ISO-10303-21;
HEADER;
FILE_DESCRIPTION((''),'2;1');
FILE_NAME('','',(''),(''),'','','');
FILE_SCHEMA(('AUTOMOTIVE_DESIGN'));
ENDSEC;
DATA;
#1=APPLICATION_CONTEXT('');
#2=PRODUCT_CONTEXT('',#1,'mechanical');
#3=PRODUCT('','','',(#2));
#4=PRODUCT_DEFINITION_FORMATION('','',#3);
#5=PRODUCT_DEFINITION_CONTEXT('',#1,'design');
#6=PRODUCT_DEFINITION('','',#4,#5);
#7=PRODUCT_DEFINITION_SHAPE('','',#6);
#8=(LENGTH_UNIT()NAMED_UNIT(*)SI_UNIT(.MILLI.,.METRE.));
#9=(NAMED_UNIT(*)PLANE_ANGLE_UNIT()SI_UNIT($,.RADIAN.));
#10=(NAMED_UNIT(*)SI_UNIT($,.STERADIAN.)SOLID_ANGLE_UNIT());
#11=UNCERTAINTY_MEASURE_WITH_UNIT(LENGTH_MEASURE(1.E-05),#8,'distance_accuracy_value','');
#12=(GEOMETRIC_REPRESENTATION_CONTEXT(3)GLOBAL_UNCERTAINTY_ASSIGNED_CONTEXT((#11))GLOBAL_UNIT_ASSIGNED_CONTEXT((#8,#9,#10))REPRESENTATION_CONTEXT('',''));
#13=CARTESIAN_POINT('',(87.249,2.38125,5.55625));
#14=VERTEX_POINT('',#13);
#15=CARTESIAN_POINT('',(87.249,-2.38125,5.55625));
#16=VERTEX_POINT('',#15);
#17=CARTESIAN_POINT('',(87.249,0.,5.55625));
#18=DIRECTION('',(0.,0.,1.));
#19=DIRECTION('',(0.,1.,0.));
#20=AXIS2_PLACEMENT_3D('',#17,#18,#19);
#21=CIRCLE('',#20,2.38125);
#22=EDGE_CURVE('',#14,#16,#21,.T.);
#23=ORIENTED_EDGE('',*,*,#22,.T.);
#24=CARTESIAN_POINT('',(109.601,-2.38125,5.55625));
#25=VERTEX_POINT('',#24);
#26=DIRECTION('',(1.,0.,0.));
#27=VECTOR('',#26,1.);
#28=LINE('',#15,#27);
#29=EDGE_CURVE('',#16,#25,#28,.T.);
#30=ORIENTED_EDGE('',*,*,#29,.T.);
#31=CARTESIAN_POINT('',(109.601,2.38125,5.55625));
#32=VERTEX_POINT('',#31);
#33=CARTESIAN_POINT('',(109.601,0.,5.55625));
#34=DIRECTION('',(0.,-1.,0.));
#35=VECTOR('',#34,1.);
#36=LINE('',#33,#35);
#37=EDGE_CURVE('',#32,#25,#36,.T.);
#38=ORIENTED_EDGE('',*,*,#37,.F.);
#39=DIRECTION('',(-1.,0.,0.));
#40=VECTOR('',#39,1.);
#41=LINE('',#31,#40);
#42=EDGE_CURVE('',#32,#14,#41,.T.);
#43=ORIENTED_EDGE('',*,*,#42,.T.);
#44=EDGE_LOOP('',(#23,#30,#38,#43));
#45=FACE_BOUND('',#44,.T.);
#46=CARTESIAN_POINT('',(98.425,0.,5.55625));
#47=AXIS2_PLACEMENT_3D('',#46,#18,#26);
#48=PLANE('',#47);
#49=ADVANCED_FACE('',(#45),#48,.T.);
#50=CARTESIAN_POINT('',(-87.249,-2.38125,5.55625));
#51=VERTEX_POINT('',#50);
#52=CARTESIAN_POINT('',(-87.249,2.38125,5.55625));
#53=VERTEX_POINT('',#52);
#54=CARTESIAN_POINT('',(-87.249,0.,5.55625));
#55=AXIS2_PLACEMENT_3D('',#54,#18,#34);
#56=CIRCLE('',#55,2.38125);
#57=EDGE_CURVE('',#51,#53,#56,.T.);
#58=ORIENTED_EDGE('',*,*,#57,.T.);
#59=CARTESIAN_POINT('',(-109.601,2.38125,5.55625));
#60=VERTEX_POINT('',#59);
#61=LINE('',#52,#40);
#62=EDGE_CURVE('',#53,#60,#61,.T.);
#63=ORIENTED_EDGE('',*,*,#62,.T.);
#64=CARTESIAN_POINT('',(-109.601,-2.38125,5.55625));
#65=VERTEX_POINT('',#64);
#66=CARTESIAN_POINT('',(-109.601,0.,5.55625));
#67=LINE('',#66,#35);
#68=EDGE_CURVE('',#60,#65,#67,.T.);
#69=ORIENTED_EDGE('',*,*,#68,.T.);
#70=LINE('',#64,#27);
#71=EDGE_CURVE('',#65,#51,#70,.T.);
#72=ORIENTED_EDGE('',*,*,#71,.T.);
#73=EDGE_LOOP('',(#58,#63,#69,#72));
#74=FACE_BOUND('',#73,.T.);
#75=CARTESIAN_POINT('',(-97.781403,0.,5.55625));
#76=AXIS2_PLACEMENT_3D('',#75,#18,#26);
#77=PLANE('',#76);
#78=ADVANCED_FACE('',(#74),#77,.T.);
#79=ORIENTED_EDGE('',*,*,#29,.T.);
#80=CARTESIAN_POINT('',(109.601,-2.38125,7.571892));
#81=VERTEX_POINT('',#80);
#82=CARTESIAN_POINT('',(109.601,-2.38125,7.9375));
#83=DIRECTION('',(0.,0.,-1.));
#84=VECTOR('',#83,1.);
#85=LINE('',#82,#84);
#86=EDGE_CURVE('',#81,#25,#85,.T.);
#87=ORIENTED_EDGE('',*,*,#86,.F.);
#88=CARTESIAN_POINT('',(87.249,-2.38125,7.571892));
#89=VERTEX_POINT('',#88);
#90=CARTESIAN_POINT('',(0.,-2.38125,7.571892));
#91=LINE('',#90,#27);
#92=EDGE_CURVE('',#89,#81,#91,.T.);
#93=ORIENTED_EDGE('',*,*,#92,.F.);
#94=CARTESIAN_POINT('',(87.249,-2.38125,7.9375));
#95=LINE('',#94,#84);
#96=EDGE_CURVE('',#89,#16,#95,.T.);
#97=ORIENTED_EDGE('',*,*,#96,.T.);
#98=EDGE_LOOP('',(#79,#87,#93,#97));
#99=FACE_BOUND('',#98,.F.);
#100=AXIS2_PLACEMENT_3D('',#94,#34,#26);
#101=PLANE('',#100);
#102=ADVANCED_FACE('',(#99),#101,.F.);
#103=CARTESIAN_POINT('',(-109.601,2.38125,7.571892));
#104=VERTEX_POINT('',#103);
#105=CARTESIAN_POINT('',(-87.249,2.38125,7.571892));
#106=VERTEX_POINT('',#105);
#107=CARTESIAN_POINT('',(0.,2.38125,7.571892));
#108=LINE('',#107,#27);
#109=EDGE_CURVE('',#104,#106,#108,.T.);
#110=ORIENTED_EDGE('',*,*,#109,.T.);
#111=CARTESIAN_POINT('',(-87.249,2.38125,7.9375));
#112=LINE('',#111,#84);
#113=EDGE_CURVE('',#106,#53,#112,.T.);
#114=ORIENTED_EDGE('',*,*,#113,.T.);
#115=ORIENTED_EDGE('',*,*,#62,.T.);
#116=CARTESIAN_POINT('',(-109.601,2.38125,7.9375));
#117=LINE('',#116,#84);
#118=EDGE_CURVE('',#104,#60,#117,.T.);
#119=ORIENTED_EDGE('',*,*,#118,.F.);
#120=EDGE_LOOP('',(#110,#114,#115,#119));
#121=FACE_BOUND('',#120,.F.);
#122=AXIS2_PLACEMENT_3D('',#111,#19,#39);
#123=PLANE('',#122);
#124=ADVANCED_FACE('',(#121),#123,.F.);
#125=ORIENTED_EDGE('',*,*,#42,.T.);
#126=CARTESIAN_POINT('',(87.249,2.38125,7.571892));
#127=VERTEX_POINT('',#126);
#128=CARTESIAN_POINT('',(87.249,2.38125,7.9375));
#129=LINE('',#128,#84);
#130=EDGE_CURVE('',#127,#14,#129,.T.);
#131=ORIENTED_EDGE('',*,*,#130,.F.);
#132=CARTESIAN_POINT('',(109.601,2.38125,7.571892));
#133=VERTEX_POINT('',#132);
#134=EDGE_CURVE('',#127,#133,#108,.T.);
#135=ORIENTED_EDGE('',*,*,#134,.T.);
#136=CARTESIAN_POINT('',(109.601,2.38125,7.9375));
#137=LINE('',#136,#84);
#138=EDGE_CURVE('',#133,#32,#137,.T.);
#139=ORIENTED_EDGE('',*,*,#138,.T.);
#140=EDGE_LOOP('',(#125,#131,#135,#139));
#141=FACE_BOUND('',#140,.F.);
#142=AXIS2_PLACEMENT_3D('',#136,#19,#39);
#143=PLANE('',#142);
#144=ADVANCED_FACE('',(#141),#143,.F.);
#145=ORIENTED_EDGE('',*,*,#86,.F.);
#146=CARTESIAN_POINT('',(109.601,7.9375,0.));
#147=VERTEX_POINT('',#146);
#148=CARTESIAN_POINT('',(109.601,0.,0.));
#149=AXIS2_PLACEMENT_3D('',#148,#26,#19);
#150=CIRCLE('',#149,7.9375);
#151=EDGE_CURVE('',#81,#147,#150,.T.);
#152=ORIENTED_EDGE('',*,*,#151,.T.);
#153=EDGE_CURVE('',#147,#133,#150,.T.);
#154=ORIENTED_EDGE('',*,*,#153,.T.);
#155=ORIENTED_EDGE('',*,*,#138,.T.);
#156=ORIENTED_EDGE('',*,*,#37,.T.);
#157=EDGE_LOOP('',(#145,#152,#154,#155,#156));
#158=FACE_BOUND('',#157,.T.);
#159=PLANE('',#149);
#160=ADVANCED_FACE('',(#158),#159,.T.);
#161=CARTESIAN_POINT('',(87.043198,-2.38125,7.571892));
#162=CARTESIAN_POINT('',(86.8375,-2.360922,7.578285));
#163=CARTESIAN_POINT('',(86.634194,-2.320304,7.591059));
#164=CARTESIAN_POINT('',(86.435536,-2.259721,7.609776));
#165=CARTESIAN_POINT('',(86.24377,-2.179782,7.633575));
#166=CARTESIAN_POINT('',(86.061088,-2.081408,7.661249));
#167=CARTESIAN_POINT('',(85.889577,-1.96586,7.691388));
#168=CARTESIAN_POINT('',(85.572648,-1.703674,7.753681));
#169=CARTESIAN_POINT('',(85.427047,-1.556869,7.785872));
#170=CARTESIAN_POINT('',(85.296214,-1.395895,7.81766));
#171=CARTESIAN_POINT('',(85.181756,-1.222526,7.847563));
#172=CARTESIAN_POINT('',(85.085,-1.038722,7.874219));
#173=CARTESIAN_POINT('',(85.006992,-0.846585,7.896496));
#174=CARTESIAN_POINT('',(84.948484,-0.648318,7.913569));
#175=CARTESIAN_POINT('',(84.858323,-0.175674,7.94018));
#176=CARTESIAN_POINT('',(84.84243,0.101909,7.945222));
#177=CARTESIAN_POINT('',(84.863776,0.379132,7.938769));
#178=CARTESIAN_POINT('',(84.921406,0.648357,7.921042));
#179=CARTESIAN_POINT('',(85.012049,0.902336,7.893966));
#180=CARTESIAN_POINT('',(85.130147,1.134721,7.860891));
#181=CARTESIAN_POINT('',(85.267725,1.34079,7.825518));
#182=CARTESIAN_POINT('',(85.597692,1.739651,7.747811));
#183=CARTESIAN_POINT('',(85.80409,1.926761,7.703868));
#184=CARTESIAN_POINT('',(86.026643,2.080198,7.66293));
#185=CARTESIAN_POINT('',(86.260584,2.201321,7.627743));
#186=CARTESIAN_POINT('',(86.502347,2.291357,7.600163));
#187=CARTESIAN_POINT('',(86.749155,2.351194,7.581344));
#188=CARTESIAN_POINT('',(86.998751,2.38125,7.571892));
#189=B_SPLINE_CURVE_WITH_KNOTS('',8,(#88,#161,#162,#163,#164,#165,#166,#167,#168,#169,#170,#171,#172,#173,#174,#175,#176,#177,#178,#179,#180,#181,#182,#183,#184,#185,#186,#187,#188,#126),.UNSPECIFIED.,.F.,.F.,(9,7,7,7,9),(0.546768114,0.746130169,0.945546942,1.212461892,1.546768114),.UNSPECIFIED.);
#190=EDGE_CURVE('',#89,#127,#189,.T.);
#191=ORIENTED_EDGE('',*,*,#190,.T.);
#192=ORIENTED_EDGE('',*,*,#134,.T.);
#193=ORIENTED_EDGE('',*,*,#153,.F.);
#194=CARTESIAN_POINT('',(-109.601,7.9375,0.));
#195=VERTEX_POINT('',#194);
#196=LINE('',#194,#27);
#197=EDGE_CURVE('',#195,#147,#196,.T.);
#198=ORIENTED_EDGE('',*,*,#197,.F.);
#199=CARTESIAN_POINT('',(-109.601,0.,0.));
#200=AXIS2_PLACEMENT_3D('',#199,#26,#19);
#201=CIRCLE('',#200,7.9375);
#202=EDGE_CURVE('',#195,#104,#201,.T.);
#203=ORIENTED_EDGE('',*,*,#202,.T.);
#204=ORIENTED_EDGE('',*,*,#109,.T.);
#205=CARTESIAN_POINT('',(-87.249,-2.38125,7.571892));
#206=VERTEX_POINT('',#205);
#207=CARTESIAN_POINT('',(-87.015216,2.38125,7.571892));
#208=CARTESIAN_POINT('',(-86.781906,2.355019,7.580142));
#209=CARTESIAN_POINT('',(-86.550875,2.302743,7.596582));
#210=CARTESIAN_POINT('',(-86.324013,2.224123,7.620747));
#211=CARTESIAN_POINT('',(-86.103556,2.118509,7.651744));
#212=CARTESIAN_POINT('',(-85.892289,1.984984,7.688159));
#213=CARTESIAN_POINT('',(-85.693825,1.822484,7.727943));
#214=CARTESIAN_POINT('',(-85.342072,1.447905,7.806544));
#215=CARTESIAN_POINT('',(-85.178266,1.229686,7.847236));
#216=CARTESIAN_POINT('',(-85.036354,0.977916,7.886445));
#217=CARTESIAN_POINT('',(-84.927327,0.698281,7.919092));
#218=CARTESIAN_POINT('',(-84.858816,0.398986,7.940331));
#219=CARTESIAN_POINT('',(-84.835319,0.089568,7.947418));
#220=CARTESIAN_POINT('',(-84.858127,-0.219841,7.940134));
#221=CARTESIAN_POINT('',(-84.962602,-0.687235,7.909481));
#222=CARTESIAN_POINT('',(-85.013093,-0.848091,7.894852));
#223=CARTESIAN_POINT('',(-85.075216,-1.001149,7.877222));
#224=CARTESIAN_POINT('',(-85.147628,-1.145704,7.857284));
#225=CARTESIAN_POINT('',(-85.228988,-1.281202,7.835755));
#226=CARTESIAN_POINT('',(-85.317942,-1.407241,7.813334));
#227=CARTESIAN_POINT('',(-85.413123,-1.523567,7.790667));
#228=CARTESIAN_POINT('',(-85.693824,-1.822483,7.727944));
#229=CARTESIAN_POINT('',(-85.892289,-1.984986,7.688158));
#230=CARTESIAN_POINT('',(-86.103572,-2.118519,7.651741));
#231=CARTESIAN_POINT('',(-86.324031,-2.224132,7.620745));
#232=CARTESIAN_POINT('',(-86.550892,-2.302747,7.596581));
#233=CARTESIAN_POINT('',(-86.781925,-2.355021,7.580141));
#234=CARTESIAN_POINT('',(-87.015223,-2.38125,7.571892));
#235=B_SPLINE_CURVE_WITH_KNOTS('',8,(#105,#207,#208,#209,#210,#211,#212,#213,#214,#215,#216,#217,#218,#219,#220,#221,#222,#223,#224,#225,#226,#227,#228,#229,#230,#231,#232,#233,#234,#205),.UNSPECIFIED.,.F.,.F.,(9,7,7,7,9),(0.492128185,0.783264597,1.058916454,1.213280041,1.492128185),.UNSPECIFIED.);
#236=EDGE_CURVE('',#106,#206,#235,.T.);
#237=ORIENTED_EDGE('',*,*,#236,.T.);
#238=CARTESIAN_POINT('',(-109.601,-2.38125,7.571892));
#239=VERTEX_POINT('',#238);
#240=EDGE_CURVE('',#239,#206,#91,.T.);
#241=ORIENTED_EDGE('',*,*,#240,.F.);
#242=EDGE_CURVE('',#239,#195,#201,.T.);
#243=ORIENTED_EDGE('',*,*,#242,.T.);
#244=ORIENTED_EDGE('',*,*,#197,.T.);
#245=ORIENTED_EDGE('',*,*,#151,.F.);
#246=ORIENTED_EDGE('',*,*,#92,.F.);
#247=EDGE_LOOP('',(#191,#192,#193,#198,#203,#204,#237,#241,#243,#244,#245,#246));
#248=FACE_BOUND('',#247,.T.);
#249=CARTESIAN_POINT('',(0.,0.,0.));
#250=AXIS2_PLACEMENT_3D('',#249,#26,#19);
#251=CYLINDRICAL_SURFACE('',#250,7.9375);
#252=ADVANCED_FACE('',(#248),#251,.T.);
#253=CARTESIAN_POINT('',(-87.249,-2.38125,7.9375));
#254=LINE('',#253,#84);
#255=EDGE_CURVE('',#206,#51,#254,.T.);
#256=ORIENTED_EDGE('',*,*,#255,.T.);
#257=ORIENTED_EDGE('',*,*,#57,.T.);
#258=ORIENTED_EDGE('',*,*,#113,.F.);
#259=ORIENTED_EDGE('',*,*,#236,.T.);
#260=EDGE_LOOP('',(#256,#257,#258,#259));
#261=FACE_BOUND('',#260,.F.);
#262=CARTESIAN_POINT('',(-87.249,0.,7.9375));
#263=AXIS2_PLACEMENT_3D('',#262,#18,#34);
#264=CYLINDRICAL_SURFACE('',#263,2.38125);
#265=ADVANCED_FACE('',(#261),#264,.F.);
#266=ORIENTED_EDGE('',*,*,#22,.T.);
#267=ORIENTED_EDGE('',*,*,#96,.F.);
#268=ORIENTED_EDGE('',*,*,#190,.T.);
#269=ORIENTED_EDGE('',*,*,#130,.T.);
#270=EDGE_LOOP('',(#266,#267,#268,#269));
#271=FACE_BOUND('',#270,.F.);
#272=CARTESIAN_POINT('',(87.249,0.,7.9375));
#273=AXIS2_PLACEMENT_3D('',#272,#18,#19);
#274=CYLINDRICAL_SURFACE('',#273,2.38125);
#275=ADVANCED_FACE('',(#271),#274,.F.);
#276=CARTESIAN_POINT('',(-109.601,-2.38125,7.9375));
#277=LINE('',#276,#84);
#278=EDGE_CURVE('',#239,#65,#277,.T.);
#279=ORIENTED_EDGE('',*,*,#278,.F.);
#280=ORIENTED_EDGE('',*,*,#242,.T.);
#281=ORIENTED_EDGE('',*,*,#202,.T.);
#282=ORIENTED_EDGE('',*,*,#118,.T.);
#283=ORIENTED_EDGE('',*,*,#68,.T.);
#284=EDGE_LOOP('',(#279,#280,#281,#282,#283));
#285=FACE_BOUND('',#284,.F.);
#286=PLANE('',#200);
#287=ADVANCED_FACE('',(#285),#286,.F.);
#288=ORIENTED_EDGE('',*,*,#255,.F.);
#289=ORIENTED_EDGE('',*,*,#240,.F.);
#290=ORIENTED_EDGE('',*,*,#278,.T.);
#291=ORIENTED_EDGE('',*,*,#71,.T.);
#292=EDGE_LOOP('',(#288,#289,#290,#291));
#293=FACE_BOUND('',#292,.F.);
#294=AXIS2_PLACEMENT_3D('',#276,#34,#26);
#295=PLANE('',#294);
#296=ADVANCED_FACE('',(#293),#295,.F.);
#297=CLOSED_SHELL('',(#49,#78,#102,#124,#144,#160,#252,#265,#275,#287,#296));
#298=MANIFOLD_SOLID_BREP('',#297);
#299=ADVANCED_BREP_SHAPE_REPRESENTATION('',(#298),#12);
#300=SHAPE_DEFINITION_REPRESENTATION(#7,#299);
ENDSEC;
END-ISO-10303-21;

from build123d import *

# Parameters (mm, degrees)
F0_R     = 7.9375
F1_DEPTH = 109.601
F4_DEPTH = 2.38125


with BuildPart() as f1:
    # F0 (on Right) → F1 (new body, symmetric)
    with BuildSketch(Plane.YZ):
        Circle(F0_R)
    extrude(amount=F1_DEPTH, both=True)

    # F3 (on offset) → F4 (cut)
    with BuildSketch(Plane.XY.offset(7.9375)):
        with BuildLine():
            ThreePointArc((109.601, -2.38125), (111.98225, 0), (109.601, 2.38125))
            Line((109.601, 2.38125), (87.249, 2.38125))
            ThreePointArc((87.249, 2.38125), (84.86775, 0), (87.249, -2.38125))
            Line((87.249, -2.38125), (109.601, -2.38125))
        make_face()
        with BuildLine():
            Line((-109.601, -2.38125), (-87.249, -2.38125))
            ThreePointArc((-87.249, -2.38125), (-84.86775, 0), (-87.249, 2.38125))
            Line((-87.249, 2.38125), (-109.601, 2.38125))
            Line((-109.601, 2.38125), (-109.601, 0))
            Line((-109.601, 0), (-109.601, -2.38125))
        make_face()
        with BuildLine():
            ThreePointArc((-109.601, 2.38125), (-111.98225, 0), (-109.601, -2.38125))
            Line((-109.601, -2.38125), (-109.601, 0))
            Line((-109.601, 0), (-109.601, 2.38125))
        make_face()
    extrude(amount=-F4_DEPTH, mode=Mode.SUBTRACT)


solid = f1.part
